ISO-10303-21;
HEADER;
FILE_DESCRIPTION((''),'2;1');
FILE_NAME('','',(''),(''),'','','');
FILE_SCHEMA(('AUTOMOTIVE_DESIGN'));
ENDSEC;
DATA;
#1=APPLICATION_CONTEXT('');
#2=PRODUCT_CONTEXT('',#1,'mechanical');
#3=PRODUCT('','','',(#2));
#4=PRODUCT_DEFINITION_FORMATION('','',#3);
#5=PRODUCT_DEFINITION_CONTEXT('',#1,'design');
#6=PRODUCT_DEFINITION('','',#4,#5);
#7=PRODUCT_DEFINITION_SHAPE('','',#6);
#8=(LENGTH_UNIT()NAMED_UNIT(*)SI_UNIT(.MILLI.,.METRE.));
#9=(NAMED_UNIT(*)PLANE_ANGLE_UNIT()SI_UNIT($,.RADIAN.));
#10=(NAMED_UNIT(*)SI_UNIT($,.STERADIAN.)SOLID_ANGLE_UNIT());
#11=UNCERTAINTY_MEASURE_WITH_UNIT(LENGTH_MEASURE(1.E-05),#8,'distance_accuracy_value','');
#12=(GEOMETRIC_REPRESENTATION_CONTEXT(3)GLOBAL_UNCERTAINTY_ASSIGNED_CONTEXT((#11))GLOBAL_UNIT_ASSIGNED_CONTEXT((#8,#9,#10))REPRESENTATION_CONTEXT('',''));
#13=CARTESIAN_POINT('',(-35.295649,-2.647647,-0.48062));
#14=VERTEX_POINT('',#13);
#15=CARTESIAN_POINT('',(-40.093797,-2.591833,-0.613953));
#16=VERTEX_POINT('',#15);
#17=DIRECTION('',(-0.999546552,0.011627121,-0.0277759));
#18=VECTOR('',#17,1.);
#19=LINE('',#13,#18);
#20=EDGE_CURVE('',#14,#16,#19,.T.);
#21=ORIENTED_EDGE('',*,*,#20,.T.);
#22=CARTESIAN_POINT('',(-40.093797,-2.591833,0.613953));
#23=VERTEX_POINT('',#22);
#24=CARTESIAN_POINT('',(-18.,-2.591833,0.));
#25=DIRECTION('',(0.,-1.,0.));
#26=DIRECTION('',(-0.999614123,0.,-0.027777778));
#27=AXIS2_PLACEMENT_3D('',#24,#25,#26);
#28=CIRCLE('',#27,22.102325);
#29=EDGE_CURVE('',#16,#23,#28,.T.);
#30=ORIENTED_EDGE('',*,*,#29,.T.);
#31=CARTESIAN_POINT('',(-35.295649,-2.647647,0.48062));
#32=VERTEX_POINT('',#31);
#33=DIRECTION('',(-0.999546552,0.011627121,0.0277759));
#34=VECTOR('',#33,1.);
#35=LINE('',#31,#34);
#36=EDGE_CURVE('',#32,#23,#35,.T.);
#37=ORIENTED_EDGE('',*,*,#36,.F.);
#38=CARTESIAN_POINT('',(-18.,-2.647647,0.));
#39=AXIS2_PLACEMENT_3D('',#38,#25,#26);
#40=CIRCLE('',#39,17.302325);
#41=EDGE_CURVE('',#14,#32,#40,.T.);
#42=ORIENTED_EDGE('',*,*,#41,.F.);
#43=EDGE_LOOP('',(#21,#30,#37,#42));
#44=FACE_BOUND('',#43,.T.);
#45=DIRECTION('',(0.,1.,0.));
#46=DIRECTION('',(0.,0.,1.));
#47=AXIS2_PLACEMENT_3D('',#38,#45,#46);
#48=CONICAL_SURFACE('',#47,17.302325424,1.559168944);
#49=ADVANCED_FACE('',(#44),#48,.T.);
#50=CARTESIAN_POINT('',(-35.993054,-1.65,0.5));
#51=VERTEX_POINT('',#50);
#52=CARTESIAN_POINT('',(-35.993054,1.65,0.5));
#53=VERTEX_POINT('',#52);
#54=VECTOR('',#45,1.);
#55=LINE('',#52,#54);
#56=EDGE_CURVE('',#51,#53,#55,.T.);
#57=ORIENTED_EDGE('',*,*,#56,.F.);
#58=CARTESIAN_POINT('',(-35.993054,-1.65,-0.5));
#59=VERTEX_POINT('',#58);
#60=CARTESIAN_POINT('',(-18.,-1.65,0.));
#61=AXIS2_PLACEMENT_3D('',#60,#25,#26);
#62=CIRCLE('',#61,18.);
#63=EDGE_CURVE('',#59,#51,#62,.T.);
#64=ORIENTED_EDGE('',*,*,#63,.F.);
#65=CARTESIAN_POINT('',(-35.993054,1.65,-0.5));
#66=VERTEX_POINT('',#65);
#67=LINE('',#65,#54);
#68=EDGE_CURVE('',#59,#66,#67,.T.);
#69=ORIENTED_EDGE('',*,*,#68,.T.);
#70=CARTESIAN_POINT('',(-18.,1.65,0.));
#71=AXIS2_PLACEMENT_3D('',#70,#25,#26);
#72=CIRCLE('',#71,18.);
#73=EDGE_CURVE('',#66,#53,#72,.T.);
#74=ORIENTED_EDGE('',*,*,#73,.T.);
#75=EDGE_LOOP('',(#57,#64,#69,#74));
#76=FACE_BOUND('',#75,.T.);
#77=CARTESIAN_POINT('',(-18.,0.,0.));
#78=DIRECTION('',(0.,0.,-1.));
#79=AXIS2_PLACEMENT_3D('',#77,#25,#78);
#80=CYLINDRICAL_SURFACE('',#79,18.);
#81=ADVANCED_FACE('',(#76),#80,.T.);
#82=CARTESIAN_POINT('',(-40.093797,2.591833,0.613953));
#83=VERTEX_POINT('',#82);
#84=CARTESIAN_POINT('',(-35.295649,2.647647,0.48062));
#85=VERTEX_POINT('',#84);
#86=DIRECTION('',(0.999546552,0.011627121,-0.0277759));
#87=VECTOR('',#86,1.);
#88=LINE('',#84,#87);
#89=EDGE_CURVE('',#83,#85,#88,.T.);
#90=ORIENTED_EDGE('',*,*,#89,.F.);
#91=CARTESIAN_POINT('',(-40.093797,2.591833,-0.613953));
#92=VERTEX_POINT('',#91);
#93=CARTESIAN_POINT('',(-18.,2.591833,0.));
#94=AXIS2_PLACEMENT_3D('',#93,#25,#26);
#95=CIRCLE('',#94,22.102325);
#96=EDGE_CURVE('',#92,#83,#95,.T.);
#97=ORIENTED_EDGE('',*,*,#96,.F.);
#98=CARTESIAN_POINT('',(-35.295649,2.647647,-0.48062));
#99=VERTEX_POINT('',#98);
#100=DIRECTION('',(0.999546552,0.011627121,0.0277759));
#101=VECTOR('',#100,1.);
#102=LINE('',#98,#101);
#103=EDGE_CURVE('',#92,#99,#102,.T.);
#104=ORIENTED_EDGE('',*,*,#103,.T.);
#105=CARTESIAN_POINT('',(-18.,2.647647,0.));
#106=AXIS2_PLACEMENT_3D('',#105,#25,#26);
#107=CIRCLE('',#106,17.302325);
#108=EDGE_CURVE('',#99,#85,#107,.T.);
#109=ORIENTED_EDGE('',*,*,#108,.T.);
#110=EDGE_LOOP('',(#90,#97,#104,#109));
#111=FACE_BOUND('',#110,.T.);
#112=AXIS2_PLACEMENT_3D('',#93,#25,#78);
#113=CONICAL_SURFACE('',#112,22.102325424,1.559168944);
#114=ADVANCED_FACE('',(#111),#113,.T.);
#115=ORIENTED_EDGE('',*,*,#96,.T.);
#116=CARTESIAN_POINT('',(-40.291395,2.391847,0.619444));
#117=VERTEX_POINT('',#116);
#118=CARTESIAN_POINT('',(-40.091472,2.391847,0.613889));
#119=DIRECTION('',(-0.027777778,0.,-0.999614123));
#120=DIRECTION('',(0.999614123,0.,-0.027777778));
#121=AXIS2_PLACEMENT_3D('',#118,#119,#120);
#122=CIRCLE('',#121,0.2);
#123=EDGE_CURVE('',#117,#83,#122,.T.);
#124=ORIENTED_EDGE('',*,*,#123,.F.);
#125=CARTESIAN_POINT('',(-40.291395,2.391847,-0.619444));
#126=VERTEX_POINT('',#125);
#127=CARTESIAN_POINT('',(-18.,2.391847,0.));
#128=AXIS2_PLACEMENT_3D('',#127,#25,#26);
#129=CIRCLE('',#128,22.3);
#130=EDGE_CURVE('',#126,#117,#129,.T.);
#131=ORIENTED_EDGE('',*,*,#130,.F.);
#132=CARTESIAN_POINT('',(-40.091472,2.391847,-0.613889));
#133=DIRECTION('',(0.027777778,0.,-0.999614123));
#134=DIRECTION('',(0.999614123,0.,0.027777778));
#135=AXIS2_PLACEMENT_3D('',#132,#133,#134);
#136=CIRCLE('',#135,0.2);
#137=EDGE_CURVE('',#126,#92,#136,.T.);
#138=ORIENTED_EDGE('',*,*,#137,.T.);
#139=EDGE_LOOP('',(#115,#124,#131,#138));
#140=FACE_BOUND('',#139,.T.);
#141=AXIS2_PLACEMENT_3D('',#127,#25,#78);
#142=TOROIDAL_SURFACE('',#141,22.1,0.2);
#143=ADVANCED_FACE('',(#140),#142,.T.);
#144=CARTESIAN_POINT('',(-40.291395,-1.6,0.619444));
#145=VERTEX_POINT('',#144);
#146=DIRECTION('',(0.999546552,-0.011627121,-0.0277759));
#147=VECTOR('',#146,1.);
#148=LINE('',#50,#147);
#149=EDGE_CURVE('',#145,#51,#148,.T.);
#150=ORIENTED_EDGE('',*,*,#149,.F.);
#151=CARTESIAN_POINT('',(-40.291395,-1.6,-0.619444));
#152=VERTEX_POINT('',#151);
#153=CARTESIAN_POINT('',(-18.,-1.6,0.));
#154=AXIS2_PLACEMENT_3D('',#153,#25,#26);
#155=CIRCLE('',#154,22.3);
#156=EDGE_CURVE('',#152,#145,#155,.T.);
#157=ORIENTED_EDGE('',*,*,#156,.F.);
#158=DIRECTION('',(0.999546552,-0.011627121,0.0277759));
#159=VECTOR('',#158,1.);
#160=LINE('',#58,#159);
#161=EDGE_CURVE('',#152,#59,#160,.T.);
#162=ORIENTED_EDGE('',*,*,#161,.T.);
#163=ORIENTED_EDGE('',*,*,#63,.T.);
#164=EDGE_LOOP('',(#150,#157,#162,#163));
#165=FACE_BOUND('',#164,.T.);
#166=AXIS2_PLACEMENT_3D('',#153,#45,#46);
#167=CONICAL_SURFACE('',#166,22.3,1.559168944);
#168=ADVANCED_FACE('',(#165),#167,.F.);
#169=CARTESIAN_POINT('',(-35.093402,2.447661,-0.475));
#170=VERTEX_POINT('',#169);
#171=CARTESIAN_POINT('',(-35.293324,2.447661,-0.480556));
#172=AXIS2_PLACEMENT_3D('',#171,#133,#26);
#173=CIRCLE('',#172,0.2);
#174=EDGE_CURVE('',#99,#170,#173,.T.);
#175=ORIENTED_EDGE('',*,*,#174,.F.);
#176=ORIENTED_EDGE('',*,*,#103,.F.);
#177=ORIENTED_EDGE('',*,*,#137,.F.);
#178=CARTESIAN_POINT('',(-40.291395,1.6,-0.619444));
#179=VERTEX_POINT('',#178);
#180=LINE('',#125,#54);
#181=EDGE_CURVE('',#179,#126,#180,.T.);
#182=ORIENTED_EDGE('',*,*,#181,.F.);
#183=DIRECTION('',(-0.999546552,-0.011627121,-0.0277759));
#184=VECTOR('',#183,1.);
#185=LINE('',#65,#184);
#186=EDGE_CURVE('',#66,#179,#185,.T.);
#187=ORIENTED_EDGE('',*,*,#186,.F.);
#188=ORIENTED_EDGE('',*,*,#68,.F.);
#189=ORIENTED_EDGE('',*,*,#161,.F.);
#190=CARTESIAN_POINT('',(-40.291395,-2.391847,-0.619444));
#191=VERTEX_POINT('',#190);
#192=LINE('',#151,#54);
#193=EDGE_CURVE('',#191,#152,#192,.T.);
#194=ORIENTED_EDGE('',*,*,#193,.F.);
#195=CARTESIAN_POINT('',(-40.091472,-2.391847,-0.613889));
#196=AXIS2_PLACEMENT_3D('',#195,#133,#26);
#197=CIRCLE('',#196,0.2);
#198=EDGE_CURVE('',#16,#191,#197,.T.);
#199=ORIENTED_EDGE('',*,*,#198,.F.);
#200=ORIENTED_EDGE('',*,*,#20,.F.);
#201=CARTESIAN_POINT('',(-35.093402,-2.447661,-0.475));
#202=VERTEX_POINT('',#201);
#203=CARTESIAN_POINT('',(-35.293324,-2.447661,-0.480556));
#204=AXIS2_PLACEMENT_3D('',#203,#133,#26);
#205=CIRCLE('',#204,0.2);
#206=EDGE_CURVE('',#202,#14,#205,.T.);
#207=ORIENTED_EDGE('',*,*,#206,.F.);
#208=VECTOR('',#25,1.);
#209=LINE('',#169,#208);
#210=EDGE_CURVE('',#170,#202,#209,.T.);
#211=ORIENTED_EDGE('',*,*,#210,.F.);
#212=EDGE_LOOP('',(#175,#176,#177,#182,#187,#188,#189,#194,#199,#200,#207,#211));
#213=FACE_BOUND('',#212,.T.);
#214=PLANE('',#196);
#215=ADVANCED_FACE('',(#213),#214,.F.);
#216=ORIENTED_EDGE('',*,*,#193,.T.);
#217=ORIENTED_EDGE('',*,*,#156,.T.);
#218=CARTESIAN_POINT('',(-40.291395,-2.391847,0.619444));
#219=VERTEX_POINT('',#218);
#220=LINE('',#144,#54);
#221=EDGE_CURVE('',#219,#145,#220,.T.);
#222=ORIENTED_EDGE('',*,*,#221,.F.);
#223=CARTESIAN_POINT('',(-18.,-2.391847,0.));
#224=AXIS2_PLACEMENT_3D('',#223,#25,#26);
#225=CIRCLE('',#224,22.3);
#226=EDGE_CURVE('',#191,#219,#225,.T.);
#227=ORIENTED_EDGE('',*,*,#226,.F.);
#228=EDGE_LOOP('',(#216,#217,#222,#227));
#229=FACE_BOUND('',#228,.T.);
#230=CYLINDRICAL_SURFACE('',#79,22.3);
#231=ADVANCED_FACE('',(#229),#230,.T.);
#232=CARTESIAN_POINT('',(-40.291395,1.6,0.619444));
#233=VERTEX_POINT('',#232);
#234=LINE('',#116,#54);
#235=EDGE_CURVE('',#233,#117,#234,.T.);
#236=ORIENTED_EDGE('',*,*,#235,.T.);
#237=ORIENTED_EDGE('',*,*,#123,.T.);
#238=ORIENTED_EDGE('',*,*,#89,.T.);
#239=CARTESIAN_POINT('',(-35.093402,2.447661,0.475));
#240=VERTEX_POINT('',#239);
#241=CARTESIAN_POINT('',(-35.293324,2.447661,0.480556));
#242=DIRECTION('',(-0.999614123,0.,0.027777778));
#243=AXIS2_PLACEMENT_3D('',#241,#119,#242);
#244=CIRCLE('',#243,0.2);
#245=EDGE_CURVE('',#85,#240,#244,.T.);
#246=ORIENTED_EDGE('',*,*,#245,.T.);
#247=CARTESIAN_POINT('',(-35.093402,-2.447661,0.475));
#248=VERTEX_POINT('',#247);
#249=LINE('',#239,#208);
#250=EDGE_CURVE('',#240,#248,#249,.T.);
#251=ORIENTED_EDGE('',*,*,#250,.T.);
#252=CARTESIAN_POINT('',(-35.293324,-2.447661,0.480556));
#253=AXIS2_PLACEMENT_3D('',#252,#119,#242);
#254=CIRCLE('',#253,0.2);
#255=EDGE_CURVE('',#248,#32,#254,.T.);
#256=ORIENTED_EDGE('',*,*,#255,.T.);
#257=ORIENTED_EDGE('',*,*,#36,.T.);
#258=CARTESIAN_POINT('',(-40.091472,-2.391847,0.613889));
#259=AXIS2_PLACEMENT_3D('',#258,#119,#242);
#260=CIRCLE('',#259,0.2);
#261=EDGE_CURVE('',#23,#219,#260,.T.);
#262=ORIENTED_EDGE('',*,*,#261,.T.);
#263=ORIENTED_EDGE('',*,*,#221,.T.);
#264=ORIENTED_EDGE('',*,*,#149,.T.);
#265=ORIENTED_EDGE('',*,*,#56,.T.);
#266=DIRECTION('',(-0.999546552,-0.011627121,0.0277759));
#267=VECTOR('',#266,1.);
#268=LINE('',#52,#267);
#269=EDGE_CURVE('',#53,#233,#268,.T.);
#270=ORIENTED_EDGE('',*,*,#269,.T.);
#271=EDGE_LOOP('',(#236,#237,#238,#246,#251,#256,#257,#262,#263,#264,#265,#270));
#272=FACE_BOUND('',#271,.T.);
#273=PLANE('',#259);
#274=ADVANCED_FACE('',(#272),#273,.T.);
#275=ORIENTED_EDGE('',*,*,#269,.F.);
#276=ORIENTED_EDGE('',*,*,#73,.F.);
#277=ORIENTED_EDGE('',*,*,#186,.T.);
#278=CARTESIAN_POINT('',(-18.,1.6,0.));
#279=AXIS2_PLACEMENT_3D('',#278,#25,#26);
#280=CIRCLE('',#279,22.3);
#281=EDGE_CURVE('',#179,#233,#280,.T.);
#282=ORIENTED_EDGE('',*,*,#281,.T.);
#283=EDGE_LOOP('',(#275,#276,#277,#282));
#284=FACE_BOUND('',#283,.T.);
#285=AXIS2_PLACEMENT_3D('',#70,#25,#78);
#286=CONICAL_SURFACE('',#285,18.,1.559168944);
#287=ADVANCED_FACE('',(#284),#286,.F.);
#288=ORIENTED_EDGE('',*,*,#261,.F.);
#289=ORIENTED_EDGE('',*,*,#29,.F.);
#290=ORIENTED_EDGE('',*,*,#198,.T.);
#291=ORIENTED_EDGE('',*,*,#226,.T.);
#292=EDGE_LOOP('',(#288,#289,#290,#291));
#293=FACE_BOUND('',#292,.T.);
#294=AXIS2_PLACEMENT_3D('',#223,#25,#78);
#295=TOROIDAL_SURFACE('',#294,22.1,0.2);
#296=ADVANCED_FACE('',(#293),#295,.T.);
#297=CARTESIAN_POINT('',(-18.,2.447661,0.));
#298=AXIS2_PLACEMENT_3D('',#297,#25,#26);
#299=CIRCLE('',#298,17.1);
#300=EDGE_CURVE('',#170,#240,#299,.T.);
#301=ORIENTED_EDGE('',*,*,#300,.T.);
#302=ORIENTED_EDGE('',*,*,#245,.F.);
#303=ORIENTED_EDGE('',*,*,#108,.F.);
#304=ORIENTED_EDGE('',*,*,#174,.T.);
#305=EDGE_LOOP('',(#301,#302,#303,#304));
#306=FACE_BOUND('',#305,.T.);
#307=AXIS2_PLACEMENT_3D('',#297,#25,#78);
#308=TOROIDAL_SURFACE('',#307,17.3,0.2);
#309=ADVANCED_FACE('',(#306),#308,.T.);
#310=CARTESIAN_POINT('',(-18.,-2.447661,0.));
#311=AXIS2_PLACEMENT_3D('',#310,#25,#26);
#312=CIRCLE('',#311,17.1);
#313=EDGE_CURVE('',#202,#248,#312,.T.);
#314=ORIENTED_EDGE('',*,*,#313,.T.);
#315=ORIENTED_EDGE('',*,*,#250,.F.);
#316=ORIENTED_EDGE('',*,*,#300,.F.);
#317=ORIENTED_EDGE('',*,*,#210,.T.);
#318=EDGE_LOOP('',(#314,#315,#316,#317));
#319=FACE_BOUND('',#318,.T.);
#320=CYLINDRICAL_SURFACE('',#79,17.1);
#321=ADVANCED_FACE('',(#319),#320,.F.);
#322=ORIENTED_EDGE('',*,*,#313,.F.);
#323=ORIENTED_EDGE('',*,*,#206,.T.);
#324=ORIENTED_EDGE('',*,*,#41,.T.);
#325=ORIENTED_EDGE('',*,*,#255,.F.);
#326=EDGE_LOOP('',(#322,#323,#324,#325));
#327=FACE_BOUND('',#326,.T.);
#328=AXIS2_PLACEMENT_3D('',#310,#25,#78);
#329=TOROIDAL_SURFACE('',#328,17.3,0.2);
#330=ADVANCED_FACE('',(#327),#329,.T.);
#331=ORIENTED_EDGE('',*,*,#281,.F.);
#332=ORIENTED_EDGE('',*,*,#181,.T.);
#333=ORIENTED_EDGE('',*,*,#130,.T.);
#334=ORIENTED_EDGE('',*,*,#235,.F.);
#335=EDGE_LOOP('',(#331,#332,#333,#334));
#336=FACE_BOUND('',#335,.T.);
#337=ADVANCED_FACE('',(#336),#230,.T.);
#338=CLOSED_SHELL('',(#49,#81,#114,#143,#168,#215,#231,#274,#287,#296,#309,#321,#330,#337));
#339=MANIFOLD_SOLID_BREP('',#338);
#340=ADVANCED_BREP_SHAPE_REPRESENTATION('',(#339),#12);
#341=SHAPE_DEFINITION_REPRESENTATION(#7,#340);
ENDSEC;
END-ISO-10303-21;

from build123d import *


with BuildPart() as part:
    # ｽｲｰﾌﾟ1: sweep along a path in ｽｹｯﾁ2
    with BuildLine(Plane(origin=(0, 0, 0), x_dir=(1, 0, 0), z_dir=(0, 1, 0))) as sweep_1_path:
        ThreePointArc((-35.993054215, -0.5), (0, 0), (-35.993054215, 0.5))
    # ｽｹｯﾁ1 → ｽｲｰﾌﾟ1 (sweep)
    with BuildSketch(Plane.XY):
        with BuildLine():
            Line((4.3, -1.6), (4.3, -2.391846945))
            ThreePointArc((4.3, -2.391846945), (4.242241142, -2.532443736), (4.102325424, -2.591833425))
            Line((4.102325424, -2.591833425), (-0.697674576, -2.647647379))
            ThreePointArc((-0.697674576, -2.647647379), (-0.840596791, -2.58990204), (-0.9, -2.447660898))
            Line((-0.9, -2.447660898), (-0.9, 2.447660898))
            ThreePointArc((-0.9, 2.447660898), (-0.840596791, 2.58990204), (-0.697674576, 2.647647379))
            Line((-0.697674576, 2.647647379), (4.102325424, 2.591833425))
            ThreePointArc((4.102325424, 2.591833425), (4.242241142, 2.532443736), (4.3, 2.391846945))
            Line((4.3, 2.391846945), (4.3, 1.6))
            Line((4.3, 1.6), (0, 1.65))
            Line((0, 1.65), (0, -1.65))
            Line((0, -1.65), (4.3, -1.6))
        make_face()
    sweep(path=sweep_1_path.line)


solid = part.part
